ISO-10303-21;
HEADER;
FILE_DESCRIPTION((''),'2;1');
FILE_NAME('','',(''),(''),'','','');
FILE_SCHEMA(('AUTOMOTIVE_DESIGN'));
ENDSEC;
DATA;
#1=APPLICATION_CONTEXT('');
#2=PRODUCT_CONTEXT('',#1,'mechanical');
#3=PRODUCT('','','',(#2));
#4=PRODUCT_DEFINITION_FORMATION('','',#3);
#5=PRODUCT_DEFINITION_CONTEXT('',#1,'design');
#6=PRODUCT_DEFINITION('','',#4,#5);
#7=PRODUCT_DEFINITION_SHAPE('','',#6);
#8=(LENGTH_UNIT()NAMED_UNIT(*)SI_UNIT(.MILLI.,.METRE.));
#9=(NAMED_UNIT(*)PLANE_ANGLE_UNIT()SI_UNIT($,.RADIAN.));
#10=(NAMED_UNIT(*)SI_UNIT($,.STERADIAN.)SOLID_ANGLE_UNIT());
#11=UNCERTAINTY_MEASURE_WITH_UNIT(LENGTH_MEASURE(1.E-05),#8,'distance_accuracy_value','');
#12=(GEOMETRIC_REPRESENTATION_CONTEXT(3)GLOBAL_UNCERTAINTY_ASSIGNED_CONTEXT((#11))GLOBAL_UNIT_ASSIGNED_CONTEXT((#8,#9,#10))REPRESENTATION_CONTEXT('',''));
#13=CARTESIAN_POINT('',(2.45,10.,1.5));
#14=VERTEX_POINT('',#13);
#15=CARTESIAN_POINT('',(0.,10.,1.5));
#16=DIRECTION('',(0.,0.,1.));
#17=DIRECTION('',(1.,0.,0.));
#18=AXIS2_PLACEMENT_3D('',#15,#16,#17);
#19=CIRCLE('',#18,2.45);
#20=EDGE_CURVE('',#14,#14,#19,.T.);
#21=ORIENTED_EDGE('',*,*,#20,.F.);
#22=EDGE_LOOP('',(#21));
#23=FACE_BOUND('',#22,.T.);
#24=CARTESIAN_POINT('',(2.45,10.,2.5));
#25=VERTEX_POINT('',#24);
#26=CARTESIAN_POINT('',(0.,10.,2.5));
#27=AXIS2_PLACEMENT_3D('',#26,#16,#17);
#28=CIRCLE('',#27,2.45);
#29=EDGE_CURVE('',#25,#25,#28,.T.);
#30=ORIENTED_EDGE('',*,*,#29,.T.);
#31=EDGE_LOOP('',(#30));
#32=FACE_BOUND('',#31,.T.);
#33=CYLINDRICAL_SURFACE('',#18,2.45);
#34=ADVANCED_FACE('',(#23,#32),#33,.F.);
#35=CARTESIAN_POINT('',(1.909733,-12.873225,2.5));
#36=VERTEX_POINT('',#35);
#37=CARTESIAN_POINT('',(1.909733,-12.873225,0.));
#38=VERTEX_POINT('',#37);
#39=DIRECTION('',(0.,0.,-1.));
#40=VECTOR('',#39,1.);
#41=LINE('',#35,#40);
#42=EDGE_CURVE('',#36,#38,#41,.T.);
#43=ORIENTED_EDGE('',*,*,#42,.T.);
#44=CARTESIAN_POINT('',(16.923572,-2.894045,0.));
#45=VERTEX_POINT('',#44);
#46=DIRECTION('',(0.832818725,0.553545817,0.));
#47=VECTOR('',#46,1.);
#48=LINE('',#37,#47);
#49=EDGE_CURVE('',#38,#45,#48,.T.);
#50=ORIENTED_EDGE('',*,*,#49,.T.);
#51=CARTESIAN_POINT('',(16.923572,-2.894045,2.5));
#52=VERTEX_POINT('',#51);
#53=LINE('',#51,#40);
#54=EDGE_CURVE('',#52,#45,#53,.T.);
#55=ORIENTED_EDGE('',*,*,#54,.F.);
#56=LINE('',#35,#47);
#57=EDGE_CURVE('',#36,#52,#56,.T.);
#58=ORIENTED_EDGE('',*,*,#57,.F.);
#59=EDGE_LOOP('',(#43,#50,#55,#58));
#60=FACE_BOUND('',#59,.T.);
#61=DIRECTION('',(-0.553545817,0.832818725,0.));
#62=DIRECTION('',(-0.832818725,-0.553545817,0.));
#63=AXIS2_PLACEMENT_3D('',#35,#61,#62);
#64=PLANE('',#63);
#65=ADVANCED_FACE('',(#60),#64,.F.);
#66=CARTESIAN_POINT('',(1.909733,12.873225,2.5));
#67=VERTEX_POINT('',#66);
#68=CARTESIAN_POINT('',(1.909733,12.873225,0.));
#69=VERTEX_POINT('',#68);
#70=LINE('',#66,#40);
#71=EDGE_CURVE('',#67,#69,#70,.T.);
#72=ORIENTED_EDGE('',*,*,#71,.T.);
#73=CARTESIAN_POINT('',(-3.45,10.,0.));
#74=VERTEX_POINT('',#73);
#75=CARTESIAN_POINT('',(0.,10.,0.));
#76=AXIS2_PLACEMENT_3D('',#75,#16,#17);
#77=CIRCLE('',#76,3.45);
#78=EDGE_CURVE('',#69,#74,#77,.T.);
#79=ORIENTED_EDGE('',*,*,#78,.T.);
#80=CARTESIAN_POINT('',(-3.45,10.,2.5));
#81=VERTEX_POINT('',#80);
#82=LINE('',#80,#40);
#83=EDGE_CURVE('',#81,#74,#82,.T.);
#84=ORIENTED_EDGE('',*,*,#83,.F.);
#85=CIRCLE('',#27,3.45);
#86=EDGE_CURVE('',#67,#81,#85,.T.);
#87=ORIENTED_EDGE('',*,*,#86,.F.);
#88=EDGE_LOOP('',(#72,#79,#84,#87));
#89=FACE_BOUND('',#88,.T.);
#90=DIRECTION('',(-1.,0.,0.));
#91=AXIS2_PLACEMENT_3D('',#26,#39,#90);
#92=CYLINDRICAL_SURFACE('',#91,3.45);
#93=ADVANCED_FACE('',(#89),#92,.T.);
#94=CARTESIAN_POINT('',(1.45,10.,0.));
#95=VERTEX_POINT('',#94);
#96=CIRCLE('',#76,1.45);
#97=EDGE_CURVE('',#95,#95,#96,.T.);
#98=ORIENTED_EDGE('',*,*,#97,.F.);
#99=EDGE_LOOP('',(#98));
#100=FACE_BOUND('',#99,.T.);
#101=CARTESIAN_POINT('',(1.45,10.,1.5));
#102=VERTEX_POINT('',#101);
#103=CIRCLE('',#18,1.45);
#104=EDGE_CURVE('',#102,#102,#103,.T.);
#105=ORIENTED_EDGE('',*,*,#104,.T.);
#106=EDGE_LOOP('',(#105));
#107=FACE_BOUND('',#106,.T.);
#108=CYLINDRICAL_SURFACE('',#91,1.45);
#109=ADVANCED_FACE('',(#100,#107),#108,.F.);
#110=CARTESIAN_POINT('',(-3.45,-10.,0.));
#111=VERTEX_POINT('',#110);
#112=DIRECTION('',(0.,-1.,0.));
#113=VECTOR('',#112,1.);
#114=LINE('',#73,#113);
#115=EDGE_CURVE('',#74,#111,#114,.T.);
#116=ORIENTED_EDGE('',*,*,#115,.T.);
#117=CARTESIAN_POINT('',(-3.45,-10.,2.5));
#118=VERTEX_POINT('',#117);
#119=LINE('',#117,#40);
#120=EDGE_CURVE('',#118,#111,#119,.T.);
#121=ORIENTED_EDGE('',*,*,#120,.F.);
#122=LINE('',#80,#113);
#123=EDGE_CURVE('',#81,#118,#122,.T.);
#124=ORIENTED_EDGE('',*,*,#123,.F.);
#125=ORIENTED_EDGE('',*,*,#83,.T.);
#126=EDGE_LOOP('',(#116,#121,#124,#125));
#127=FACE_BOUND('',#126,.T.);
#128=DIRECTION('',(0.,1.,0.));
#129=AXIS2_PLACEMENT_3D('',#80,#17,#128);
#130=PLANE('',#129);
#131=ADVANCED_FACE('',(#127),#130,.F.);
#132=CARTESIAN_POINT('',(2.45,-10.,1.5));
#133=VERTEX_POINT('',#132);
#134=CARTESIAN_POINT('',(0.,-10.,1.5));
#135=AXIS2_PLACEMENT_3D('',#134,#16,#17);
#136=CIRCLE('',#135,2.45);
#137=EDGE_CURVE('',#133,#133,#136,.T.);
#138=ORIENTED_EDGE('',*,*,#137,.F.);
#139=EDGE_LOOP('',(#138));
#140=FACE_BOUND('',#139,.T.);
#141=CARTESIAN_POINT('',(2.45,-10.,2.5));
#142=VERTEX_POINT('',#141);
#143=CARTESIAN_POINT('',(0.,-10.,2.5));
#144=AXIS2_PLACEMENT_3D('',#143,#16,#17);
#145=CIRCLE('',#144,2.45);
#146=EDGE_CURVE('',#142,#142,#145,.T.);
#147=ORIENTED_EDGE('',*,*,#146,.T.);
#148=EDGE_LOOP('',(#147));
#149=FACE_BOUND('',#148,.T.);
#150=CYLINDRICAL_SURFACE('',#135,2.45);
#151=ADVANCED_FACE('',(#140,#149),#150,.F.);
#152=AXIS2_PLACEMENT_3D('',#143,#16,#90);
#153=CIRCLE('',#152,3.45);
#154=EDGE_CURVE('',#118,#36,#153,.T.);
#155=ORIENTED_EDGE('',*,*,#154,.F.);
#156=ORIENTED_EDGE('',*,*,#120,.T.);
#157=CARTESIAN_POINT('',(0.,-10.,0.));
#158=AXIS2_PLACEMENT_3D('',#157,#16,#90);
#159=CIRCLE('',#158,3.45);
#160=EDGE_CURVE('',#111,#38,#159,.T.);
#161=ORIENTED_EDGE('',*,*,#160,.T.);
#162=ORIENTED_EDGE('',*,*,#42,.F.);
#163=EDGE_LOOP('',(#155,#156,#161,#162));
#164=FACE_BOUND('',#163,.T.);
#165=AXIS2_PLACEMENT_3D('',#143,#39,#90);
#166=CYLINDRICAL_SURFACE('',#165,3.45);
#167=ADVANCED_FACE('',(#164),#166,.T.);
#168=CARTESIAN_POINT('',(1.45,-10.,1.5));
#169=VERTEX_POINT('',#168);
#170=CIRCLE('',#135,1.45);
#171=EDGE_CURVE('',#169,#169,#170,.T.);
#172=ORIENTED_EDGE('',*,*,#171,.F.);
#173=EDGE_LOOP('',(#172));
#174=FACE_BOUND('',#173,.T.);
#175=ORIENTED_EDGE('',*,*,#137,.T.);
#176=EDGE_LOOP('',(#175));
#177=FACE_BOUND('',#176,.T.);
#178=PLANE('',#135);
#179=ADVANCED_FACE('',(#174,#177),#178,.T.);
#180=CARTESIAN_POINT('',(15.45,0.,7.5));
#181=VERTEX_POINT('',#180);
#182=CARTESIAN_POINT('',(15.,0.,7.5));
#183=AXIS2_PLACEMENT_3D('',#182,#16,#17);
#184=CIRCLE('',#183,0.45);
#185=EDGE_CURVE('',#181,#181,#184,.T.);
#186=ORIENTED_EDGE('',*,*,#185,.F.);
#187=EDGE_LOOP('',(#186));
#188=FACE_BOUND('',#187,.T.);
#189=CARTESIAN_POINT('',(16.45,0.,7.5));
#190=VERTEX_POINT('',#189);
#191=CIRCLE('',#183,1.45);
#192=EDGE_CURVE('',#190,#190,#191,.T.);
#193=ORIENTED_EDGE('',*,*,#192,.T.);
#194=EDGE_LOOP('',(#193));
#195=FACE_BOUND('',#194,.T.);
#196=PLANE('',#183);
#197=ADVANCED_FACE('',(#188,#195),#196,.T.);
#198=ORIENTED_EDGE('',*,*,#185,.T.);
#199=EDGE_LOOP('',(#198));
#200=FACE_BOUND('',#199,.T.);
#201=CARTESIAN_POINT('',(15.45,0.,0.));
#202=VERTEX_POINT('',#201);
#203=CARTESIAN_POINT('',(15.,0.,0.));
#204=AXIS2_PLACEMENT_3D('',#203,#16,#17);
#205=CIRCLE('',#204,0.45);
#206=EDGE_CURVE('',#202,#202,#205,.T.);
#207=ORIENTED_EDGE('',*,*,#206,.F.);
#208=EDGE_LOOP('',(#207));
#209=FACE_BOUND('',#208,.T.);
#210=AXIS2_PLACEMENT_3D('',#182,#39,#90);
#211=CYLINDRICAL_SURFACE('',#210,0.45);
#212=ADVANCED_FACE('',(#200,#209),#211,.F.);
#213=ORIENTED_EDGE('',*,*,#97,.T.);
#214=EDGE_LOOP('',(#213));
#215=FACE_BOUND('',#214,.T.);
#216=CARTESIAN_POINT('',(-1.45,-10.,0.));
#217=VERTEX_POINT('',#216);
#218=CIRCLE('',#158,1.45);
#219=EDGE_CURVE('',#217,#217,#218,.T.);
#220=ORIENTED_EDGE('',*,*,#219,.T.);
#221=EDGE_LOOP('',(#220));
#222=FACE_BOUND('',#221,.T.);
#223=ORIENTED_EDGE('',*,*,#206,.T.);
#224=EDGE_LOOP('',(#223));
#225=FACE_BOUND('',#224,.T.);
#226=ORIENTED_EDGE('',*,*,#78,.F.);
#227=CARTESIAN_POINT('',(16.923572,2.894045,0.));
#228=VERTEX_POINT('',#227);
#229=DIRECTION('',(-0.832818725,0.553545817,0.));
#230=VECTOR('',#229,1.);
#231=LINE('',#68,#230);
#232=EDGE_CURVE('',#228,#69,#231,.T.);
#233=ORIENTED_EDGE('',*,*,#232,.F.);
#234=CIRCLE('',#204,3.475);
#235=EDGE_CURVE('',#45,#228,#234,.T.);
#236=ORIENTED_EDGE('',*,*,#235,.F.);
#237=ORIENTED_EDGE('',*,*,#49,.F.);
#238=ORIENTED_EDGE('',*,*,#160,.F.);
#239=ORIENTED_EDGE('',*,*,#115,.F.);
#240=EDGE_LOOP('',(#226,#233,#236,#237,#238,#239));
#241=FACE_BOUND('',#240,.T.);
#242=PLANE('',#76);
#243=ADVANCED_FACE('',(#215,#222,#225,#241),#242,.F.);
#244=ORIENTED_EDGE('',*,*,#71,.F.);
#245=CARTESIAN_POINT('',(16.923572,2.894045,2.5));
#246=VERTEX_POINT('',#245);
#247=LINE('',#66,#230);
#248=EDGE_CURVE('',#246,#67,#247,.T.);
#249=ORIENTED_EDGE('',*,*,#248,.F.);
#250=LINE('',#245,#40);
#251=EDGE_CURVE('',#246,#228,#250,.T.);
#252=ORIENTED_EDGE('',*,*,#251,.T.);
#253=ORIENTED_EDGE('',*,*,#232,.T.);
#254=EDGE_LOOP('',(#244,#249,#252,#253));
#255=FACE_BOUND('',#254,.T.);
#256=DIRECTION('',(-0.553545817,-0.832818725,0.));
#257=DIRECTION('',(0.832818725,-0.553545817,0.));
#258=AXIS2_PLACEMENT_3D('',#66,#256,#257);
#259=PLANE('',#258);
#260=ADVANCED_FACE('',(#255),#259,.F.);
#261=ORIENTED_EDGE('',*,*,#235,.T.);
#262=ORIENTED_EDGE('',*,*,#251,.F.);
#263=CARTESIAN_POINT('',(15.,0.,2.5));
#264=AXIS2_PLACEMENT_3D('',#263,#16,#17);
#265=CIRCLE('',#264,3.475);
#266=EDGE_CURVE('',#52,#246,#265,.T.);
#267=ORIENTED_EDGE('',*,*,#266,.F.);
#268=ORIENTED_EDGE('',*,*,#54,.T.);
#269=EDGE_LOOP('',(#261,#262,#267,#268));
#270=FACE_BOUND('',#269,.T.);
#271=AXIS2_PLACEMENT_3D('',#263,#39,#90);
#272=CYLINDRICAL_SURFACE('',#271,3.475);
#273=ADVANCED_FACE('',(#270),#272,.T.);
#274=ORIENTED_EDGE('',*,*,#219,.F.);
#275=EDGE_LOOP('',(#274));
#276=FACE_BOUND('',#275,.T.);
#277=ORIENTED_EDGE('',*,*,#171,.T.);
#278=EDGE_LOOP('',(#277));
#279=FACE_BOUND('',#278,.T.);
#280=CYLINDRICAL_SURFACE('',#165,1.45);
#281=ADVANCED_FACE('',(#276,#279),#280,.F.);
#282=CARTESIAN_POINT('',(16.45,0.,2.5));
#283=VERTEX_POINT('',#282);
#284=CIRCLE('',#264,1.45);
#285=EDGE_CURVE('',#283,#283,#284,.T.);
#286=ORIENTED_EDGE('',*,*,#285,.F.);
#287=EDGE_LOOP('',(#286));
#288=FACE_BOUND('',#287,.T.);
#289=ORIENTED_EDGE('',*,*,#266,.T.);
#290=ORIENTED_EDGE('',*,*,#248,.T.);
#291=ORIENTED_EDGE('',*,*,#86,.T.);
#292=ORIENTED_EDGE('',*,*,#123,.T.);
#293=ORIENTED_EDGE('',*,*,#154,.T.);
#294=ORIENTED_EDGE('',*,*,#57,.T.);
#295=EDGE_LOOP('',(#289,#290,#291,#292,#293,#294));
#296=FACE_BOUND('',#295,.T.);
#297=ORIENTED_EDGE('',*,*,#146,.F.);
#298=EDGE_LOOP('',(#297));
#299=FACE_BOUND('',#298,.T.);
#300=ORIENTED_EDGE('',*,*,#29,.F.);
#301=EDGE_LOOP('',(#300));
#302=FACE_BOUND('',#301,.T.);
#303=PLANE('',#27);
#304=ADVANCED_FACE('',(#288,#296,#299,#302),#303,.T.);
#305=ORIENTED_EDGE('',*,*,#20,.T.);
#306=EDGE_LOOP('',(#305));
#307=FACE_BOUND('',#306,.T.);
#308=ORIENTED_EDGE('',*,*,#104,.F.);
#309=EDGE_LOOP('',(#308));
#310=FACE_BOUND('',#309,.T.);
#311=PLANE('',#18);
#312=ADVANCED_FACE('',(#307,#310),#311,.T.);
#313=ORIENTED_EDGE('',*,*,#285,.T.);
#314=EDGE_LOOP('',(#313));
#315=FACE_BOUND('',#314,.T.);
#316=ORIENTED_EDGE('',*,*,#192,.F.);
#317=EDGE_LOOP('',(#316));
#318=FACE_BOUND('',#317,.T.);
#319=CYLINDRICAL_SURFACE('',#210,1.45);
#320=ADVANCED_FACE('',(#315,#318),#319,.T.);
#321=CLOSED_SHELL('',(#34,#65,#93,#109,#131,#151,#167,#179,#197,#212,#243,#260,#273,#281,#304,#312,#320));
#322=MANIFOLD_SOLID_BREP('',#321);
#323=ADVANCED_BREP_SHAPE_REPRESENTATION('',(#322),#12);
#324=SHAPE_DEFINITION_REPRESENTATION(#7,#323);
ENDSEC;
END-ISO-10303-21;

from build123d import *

# Parameters (mm, degrees)
CROQUIS1_R              = 1.45
SALIENTE_EXTRUIR1_DEPTH = 2.5
CROQUIS2_R              = 2.45
CORTAR_EXTRUIR1_DEPTH   = 1
CROQUIS3_R              = 1.45
CROQUIS3_R_2            = 0.45
SALIENTE_EXTRUIR2_DEPTH = 5
CROQUIS4_R              = 0.45
CORTAR_EXTRUIR2_DEPTH   = 24.392907579


with BuildPart() as part:
    # Croquis1 → Saliente-Extruir1 (new body)
    with BuildSketch(Plane.XY):
        with BuildLine():
            Line((-3.45, 10), (-3.45, -10))
            ThreePointArc((-3.45, -10), (-1.630018545, -13.040647882), (1.909733068, -12.873224601))
            Line((1.909733068, -12.873224601), (16.923571713, -2.89404507))
            ThreePointArc((16.923571713, -2.89404507), (18.475, 0), (16.923571713, 2.89404507))
            Line((16.923571713, 2.89404507), (1.909733068, 12.873224601))
            ThreePointArc((1.909733068, 12.873224601), (-1.630018545, 13.040647882), (-3.45, 10))
        make_face()
        with Locations((0, 10)):
            Circle(CROQUIS1_R, mode=Mode.SUBTRACT)
        with Locations(Location((0, -10, 0), (0, 0, 180))):
            Circle(CROQUIS1_R, mode=Mode.SUBTRACT)
    extrude(amount=SALIENTE_EXTRUIR1_DEPTH)

    # Croquis2 → Cortar-Extruir1 (cut)
    with BuildSketch(Plane.XY.offset(2.5)):
        with Locations((0, 10)):
            Circle(CROQUIS2_R)
        with Locations((0, -10)):
            Circle(CROQUIS2_R)
    extrude(amount=-CORTAR_EXTRUIR1_DEPTH, mode=Mode.SUBTRACT)

    # Croquis3 → Saliente-Extruir2 (add)
    with BuildSketch(Plane.XY.offset(2.5)):
        with Locations((15, 0)):
            Circle(CROQUIS3_R)
        with Locations((15, 0)):
            Circle(CROQUIS3_R_2, mode=Mode.SUBTRACT)
    extrude(amount=SALIENTE_EXTRUIR2_DEPTH)

    # Croquis4 → Cortar-Extruir2 (cut, through all)
    with BuildSketch(Plane.XY.offset(2.5)):
        with Locations((15, 0)):
            Circle(CROQUIS4_R)
    extrude(amount=-CORTAR_EXTRUIR2_DEPTH, mode=Mode.SUBTRACT)


solid = part.part
